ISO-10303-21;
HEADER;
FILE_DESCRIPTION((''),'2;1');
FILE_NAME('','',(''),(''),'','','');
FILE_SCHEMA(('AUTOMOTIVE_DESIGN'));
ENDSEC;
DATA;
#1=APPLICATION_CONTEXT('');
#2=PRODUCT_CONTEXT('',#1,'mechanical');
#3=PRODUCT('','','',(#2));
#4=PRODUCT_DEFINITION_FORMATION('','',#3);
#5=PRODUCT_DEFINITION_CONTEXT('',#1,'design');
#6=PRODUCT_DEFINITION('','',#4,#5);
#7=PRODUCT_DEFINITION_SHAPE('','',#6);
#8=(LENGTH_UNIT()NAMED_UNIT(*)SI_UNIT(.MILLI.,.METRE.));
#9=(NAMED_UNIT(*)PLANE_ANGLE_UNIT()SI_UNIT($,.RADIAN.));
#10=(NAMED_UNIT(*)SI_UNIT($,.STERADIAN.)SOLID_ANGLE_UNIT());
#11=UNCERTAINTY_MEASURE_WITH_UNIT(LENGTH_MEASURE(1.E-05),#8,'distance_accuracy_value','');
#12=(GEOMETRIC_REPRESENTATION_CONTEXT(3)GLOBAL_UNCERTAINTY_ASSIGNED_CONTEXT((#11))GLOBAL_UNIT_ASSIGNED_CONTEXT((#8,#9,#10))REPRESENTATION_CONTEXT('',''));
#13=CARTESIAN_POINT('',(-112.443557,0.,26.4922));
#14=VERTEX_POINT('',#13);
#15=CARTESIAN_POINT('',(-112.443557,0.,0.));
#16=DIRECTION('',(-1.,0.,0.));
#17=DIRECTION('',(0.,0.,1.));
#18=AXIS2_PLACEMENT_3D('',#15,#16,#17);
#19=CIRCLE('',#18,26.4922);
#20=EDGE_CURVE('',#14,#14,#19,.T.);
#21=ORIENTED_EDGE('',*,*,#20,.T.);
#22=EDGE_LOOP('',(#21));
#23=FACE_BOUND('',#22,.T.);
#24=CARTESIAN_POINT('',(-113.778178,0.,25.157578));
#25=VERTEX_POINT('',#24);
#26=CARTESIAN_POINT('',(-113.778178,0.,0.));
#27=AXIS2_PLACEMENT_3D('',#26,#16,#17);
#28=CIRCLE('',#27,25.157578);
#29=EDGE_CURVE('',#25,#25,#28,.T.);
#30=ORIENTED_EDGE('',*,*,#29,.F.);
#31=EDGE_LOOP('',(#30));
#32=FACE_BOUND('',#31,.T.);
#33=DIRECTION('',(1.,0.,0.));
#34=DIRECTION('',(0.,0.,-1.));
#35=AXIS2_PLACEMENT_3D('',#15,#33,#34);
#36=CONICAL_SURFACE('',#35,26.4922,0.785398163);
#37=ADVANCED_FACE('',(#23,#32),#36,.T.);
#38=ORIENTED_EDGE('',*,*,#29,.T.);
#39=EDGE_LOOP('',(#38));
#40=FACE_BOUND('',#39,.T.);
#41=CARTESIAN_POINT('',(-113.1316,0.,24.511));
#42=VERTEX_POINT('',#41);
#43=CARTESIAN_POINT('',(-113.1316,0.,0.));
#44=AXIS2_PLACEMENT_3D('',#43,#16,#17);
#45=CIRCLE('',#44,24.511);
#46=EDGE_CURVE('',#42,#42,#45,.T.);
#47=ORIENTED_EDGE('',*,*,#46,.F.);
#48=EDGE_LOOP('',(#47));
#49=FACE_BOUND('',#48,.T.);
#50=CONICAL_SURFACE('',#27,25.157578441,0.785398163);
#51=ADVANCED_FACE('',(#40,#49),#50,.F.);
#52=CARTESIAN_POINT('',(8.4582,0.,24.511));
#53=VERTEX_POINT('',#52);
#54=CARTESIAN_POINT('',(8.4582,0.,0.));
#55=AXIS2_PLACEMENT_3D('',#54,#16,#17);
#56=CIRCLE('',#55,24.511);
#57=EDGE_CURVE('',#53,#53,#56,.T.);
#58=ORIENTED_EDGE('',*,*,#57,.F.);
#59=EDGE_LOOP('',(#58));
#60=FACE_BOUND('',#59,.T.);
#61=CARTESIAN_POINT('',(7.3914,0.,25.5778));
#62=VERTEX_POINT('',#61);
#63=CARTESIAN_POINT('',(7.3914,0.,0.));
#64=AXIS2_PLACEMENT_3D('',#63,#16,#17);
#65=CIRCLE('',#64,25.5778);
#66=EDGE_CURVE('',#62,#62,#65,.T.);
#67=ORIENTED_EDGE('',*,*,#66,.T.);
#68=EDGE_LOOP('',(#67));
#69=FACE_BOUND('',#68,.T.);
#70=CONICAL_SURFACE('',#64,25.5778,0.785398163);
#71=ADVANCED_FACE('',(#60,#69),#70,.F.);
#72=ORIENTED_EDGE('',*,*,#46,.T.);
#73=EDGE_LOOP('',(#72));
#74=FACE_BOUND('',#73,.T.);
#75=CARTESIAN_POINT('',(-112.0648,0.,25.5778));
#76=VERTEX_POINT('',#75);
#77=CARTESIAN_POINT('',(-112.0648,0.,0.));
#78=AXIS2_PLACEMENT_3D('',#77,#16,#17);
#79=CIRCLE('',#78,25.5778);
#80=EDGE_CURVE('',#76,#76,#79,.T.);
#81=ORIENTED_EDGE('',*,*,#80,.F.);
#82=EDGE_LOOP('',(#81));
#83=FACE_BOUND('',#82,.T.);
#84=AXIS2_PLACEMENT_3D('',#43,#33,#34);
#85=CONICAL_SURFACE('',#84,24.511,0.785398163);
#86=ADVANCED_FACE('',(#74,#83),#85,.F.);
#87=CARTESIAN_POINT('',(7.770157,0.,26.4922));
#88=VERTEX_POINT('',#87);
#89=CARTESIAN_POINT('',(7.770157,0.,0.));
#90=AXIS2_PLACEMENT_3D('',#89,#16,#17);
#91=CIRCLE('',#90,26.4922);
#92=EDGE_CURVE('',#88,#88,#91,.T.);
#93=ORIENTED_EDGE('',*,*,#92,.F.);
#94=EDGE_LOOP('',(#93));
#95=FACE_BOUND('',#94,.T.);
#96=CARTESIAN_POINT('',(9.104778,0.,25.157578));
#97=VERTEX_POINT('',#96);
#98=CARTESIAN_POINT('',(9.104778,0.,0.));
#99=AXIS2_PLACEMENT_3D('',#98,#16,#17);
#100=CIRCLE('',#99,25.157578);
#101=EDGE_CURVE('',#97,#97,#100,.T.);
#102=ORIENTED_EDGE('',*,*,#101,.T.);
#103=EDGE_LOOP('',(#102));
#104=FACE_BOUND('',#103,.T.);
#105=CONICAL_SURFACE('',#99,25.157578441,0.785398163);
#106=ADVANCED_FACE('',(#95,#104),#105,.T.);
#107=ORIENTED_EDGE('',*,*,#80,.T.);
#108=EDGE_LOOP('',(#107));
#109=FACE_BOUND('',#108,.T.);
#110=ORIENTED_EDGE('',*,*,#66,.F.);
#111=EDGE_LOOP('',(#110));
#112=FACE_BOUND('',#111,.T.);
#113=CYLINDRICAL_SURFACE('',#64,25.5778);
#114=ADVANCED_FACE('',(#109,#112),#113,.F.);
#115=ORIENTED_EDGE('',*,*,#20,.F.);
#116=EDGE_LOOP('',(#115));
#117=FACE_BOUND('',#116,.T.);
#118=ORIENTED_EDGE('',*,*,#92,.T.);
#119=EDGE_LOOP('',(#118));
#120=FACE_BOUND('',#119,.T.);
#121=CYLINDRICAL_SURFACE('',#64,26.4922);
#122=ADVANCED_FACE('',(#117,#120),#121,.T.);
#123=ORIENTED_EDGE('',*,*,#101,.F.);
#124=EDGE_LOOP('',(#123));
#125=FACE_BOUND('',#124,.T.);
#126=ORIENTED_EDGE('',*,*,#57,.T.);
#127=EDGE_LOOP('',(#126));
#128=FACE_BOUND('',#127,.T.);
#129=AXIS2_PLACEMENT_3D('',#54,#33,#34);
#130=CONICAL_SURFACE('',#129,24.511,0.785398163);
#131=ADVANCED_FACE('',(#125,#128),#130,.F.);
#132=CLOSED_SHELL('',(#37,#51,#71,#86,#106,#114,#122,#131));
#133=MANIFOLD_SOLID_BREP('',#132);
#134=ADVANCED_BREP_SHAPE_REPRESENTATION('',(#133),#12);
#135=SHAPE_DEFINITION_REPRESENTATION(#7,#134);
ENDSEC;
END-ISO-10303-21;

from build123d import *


with BuildPart() as part:
    # Sketch1 → Revolve1 (revolve)
    with BuildSketch(Plane.XY):
        Polygon((-113.778178441, 25.157578441), (-113.1316, 24.511), (-112.0648, 25.5778), (7.3914, 25.5778), (8.4582, 24.511), (9.104778441, 25.157578441), (7.770156881, 26.4922), (-112.443556881, 26.4922), align=None)
    revolve(axis=Axis((7.3914, 0, 0), (-1, 0, 0)))


solid = part.part
